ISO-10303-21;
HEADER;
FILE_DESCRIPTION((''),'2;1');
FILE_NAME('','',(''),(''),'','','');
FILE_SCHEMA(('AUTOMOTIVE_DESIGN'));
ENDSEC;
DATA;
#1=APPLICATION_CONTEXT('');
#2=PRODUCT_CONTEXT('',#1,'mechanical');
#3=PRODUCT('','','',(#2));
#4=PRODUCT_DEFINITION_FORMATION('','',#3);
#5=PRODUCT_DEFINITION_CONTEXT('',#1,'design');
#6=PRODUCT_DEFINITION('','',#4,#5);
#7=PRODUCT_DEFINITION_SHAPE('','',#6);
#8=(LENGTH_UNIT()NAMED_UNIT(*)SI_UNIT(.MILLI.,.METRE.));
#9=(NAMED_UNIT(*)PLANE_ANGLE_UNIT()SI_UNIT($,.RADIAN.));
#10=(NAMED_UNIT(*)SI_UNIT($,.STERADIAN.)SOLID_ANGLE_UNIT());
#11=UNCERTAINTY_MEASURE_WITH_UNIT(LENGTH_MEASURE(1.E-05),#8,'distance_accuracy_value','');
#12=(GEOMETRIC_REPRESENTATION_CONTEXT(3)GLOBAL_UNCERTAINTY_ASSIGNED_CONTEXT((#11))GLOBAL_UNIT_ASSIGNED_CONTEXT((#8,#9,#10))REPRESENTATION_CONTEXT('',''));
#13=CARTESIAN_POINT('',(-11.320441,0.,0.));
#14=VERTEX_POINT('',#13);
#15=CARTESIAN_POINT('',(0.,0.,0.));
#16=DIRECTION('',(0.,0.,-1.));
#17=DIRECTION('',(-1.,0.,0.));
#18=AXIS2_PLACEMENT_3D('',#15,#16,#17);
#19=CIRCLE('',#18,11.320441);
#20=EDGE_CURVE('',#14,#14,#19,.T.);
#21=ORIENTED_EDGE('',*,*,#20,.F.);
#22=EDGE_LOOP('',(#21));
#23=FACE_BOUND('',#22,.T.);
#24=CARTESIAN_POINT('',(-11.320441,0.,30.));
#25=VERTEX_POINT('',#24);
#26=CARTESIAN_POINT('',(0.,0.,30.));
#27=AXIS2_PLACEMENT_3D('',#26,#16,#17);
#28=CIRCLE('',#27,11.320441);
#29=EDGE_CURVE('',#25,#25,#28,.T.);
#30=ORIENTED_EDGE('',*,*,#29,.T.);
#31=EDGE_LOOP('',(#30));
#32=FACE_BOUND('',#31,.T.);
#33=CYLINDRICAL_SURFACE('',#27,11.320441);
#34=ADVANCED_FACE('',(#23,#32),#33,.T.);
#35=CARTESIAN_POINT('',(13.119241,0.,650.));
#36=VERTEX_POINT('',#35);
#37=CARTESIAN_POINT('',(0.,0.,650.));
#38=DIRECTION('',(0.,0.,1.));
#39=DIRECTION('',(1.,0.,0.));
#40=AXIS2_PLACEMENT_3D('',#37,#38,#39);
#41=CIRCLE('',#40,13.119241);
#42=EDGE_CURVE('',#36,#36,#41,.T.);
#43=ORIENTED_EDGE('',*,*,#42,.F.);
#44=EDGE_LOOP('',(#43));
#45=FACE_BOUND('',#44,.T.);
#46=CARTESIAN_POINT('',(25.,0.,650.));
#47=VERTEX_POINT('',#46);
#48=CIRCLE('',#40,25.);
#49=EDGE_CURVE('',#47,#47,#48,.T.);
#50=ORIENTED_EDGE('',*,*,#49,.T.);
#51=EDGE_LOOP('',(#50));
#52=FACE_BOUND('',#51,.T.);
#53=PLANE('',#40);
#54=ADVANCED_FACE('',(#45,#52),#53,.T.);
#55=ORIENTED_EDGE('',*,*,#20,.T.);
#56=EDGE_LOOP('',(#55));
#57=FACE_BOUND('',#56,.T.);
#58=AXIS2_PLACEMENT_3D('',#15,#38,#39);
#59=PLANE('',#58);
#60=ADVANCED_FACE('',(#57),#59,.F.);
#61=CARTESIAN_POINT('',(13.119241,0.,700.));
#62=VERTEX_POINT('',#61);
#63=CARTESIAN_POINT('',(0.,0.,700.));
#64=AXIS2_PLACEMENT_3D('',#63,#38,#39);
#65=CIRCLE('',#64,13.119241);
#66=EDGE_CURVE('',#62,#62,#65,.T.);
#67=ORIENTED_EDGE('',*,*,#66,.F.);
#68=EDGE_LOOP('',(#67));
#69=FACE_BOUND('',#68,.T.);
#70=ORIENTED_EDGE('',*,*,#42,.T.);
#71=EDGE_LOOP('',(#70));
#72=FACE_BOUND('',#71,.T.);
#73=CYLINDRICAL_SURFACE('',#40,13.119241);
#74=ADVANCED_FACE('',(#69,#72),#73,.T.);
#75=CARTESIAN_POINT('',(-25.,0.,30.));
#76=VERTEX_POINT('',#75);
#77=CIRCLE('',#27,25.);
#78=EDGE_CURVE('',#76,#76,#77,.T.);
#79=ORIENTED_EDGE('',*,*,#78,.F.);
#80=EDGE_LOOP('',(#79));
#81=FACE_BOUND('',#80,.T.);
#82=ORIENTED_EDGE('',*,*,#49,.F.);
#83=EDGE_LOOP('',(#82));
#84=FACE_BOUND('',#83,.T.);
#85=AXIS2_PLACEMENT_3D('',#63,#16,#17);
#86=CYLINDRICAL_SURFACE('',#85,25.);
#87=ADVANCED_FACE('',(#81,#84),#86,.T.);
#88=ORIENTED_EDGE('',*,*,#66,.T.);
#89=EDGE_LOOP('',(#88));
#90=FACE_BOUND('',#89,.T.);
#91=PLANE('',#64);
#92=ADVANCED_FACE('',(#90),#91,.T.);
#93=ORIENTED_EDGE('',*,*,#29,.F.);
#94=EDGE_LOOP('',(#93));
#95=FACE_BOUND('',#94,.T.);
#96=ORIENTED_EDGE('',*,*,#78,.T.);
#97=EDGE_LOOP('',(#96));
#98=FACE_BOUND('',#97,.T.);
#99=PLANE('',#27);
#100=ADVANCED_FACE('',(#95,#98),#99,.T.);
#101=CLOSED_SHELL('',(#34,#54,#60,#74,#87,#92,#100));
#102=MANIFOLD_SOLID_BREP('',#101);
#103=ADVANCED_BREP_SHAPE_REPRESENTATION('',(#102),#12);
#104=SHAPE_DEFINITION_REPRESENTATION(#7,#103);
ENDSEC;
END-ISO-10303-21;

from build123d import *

# Parameters (mm, degrees)
SKETCH1_R           = 25
BOSS_EXTRUDE1_DEPTH = 700
CUT_EXTRUDE1_START  = -50
SKETCH2_R           = 25
SKETCH2_R_2         = 13.119240587
CUT_EXTRUDE1_DEPTH  = 50
SKETCH3_R           = 25
SKETCH3_R_2         = 11.320441419
CUT_EXTRUDE2_DEPTH  = 30


with BuildPart() as part:
    # Sketch1 → Boss-Extrude1 (new body)
    with BuildSketch(Plane.XY):
        Circle(SKETCH1_R)
    extrude(amount=BOSS_EXTRUDE1_DEPTH)

    # Sketch2 → Cut-Extrude1 (cut)
    with BuildSketch(Plane.XY.offset(700).offset(CUT_EXTRUDE1_START)):
        Circle(SKETCH2_R)
        Circle(SKETCH2_R_2, mode=Mode.SUBTRACT)
    extrude(amount=CUT_EXTRUDE1_DEPTH, mode=Mode.SUBTRACT)

    # Sketch3 → Cut-Extrude2 (cut)
    with BuildSketch(Plane(origin=(0, 0, 0), x_dir=(-1, 0, 0), z_dir=(0, 0, -1))):
        Circle(SKETCH3_R)
        Circle(SKETCH3_R_2, mode=Mode.SUBTRACT)
    extrude(amount=-CUT_EXTRUDE2_DEPTH, mode=Mode.SUBTRACT)


solid = part.part
